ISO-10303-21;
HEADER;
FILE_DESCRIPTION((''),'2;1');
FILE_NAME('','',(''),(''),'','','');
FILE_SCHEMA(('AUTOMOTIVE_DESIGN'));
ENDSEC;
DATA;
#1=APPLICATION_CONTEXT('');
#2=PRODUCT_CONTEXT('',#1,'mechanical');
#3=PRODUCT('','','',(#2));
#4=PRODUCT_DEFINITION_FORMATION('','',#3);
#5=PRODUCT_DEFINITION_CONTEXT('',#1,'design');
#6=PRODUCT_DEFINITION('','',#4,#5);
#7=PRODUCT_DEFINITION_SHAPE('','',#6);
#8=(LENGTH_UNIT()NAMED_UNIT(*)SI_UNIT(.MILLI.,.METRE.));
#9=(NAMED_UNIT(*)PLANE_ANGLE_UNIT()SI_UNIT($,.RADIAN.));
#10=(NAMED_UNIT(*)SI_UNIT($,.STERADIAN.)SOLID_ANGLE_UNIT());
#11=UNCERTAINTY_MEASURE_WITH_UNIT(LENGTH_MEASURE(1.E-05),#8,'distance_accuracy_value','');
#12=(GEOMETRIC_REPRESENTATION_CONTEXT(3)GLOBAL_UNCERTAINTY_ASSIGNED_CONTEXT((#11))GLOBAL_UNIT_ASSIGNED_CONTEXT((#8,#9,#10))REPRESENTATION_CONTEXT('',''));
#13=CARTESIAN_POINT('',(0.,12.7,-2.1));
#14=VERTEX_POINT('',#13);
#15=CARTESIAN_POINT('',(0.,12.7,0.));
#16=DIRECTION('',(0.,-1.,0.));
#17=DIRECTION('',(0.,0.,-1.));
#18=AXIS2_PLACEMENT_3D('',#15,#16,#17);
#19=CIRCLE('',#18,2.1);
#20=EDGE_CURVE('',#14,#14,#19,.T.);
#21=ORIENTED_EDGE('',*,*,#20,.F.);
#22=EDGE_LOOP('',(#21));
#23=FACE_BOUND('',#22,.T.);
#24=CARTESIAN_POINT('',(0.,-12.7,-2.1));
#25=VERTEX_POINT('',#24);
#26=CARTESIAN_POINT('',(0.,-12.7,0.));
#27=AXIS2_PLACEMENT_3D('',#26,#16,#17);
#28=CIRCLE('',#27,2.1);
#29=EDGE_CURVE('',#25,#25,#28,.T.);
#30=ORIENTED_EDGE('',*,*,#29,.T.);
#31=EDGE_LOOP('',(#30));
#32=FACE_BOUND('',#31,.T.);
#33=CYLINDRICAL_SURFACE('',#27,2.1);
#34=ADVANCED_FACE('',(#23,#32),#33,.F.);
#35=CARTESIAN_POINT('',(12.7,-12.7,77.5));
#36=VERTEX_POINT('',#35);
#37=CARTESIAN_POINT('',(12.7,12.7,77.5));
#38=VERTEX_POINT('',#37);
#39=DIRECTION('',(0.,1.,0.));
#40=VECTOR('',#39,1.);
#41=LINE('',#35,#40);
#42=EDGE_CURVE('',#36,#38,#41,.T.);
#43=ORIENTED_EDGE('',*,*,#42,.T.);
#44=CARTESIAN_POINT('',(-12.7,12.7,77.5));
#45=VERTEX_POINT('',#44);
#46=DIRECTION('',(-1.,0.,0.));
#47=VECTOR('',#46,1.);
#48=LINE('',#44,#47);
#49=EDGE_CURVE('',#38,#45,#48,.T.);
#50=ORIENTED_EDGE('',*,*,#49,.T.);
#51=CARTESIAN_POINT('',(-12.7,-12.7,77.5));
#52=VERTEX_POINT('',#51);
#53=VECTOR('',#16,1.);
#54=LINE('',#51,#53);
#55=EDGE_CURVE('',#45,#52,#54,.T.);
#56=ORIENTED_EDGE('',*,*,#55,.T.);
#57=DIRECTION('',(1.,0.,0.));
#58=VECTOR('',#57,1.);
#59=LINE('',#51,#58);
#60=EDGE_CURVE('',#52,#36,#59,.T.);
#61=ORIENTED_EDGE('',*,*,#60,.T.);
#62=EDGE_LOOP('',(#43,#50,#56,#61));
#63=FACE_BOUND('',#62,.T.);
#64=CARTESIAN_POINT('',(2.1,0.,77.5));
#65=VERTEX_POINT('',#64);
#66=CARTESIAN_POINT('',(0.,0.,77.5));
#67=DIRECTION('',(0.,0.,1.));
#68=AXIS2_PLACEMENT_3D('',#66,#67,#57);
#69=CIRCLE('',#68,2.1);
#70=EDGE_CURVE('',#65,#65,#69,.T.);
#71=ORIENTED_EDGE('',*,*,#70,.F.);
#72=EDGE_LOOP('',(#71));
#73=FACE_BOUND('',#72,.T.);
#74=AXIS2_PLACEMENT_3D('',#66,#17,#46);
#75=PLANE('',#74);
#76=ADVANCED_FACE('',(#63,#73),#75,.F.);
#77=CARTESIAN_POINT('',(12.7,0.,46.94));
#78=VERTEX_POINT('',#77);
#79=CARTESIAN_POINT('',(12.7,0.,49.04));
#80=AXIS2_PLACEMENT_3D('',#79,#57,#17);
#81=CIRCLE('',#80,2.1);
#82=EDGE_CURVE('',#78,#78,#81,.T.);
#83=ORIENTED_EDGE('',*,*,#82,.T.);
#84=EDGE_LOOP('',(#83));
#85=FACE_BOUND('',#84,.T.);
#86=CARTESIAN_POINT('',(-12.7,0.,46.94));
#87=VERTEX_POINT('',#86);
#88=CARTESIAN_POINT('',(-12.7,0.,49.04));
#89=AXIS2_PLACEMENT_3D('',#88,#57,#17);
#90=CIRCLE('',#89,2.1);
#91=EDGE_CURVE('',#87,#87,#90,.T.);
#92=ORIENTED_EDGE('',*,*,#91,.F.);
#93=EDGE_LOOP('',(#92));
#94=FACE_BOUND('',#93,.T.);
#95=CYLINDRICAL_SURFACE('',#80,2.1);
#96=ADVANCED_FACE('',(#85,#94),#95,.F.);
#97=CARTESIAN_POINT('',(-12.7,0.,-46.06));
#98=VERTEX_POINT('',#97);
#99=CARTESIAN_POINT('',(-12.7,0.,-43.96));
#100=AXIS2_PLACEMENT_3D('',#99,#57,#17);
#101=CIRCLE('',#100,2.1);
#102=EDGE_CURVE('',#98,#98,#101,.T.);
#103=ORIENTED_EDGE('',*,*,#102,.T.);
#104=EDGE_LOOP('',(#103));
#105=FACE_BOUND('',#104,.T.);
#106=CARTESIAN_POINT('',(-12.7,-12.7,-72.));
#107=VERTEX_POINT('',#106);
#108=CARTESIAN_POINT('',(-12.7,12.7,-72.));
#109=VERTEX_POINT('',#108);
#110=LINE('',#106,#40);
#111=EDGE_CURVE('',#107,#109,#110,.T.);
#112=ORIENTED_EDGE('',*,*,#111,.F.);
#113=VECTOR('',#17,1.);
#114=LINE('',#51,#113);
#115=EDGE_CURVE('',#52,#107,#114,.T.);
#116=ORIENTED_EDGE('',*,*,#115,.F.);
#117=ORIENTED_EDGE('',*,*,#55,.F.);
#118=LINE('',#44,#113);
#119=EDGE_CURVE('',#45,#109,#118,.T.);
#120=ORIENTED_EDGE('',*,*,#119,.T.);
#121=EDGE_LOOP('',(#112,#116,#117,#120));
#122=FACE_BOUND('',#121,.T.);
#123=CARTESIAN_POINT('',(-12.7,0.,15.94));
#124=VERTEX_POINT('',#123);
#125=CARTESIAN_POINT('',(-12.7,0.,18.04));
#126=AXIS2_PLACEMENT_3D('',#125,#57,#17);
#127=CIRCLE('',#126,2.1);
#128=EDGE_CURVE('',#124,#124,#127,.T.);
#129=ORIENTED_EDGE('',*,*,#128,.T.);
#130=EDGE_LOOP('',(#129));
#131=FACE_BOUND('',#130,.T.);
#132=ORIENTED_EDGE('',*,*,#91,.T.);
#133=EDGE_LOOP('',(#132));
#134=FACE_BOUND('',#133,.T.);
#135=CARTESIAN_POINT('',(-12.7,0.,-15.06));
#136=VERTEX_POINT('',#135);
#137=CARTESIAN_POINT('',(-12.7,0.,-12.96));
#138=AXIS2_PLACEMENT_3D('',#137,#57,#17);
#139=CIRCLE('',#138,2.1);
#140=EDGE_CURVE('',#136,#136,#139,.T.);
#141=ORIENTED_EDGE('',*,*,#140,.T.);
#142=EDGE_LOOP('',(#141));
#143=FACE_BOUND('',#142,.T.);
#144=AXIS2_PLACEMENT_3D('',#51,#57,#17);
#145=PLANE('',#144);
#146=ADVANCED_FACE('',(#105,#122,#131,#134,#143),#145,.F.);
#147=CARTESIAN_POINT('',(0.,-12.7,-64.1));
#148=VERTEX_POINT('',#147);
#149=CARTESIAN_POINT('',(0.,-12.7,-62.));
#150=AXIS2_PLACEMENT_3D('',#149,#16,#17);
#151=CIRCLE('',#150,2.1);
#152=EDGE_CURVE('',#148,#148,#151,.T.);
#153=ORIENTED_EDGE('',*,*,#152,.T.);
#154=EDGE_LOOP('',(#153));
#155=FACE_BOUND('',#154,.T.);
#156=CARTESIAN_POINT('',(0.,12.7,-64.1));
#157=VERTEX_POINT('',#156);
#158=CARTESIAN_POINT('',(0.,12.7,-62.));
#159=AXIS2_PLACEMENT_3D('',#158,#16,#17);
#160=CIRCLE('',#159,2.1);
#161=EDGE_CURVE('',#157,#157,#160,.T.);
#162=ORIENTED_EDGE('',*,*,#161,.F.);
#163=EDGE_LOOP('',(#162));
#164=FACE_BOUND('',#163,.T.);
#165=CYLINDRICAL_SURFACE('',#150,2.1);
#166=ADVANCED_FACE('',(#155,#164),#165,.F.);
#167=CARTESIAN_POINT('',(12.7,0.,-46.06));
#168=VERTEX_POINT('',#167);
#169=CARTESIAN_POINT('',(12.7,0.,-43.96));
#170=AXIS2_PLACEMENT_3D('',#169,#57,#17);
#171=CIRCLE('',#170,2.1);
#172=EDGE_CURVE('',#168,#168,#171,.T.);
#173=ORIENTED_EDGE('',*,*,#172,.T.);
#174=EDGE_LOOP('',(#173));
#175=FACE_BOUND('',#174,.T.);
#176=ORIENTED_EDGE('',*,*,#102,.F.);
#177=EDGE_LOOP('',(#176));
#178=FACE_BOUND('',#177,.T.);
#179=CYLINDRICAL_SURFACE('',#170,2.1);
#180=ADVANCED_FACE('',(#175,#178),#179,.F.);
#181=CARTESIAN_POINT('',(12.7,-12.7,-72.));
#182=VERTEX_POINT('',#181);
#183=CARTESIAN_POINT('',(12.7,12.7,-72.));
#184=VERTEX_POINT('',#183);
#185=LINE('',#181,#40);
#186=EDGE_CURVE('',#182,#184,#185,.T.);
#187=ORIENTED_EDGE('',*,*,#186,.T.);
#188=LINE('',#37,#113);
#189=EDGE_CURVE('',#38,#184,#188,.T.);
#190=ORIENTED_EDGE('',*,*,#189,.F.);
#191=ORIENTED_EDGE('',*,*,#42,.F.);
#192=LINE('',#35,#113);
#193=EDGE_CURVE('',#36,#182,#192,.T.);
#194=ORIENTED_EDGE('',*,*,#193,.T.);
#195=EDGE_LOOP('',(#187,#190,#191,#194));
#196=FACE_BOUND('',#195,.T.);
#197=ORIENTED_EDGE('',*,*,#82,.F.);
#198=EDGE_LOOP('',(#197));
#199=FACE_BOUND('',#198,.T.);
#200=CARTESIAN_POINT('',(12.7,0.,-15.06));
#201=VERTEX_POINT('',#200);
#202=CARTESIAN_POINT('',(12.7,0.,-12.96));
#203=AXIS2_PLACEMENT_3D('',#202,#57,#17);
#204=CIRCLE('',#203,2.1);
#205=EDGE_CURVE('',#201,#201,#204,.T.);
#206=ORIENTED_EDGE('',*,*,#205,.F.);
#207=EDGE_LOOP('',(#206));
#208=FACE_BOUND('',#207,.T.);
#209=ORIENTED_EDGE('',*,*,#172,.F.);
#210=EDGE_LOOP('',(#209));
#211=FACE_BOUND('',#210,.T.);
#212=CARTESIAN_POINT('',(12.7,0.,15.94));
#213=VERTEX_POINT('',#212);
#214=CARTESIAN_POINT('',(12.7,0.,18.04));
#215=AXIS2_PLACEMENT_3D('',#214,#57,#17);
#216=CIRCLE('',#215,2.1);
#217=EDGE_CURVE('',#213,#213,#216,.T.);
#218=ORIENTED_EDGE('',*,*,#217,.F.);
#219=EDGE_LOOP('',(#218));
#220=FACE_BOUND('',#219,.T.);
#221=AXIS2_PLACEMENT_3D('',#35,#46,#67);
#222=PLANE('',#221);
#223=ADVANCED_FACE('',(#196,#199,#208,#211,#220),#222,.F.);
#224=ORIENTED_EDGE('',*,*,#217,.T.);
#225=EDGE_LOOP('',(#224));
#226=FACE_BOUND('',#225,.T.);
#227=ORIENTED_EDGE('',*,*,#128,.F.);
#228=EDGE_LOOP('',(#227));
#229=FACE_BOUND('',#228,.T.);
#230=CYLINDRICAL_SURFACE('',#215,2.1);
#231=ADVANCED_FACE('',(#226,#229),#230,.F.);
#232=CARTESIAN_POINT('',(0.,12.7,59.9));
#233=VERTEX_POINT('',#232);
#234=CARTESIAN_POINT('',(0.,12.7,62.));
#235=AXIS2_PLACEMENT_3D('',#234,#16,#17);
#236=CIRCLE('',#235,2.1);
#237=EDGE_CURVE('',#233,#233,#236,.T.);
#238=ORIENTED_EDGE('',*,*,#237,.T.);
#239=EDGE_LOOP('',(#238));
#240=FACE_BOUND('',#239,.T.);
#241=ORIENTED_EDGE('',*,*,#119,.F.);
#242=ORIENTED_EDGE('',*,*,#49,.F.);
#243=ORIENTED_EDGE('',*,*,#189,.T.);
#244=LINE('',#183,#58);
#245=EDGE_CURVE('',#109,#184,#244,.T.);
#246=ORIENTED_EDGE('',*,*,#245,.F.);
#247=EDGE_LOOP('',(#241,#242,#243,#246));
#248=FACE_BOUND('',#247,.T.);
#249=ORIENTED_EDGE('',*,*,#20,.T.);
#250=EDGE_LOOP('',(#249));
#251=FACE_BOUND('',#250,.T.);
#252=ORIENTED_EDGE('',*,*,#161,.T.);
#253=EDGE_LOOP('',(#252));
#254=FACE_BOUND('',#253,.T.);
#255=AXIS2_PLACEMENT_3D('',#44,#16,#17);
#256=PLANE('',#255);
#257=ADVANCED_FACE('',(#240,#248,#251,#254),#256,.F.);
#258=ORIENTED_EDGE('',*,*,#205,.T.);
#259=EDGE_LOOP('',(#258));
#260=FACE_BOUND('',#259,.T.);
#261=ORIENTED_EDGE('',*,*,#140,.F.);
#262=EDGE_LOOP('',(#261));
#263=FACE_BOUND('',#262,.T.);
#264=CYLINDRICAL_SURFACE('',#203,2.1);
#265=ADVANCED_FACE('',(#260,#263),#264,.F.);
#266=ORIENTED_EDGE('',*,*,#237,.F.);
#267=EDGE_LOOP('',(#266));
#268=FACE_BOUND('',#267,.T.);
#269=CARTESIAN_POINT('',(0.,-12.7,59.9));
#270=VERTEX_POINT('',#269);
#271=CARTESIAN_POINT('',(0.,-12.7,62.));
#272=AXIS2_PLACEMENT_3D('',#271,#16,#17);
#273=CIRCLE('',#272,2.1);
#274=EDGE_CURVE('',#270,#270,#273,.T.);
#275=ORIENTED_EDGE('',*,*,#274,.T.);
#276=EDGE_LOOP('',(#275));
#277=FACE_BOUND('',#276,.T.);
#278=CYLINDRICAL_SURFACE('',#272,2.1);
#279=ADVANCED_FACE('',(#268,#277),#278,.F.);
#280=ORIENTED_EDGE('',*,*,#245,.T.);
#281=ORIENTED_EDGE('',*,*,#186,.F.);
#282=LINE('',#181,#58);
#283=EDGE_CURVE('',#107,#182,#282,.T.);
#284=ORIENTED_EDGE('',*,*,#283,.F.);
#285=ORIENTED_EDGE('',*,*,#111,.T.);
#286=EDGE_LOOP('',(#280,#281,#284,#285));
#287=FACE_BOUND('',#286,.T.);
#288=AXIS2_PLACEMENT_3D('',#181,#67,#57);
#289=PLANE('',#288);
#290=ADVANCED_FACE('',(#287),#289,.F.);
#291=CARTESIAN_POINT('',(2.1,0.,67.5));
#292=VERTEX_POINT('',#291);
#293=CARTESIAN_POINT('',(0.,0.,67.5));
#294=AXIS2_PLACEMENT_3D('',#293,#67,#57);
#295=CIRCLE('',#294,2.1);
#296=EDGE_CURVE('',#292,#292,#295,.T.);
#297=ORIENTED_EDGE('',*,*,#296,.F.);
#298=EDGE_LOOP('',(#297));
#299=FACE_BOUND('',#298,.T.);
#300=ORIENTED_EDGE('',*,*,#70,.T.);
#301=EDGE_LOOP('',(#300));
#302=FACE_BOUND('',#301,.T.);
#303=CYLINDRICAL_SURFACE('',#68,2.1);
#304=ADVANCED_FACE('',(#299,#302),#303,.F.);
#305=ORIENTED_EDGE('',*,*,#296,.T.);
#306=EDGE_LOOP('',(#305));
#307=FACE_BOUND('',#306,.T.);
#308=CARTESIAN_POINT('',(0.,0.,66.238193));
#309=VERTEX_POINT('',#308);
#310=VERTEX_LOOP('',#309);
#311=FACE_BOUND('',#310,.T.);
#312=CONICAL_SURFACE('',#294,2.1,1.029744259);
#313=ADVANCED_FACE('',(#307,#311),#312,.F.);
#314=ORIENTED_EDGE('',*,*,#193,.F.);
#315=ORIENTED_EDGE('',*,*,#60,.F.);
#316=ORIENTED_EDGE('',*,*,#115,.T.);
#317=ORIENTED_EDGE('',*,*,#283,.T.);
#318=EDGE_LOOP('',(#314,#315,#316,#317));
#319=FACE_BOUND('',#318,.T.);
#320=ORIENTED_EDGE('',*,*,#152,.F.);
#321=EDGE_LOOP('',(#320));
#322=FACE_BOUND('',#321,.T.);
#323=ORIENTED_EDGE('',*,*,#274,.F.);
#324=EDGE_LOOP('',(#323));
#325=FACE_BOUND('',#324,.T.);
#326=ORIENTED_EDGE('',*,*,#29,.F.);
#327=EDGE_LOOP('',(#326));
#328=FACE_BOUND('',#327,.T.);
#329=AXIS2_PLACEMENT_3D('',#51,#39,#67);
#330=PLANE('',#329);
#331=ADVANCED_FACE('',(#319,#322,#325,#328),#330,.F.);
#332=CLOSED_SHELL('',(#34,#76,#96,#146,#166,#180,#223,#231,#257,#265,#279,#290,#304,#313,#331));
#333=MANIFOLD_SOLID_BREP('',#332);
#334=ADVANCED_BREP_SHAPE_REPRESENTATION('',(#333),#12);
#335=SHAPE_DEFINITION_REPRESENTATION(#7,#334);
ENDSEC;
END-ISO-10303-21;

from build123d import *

# Parameters (mm, degrees)
SKETCH1_W                   = 25.4
SKETCH1_H                   = 25.4
BOSS_EXTRUDE1_DEPTH         = 77.5
M5X0_8_TAPPED_HOLE2_D       = 4.2
M5X0_8_TAPPED_HOLE1_D       = 4.2
M5X0_8_TAPPED_HOLE1_DEPTH   = 10
M5X0_8_TAPPED_HOLE1_TIP     = 1.2618073
SKETCH13_W                  = 25.4
SKETCH13_H                  = 5.5
CUT_EXTRUDE1_DEPTH          = 26.4
TAP_DRILL_FOR_M5X0_8_TAP1_D = 4.2


with BuildPart() as part:
    # Sketch1 → Boss-Extrude1 (new body, symmetric)
    with BuildSketch(Plane.XY):
        Rectangle(SKETCH1_W, SKETCH1_H)
    extrude(amount=BOSS_EXTRUDE1_DEPTH, both=True)

    # M5x0.8 Tapped Hole2 (through all)
    with Locations(Plane(origin=(0, -12.7, 0), x_dir=(-1, 0, 0), z_dir=(0, -1, 0))):
        with Locations((0, -62), (0, 0), (0, 62)):
            Hole(M5X0_8_TAPPED_HOLE2_D / 2)

    # M5x0.8 Tapped Hole1
    with Locations(Plane.XY.offset(77.5)):
        with Locations((0, 0)):
            Hole(M5X0_8_TAPPED_HOLE1_D / 2, depth=M5X0_8_TAPPED_HOLE1_DEPTH)
            with Locations((0, 0, -(M5X0_8_TAPPED_HOLE1_DEPTH + M5X0_8_TAPPED_HOLE1_TIP / 2))):  # 118° drill point
                Cone(0, M5X0_8_TAPPED_HOLE1_D / 2, M5X0_8_TAPPED_HOLE1_TIP, mode=Mode.SUBTRACT)

    # Sketch13 → Cut-Extrude1 (cut, through all)
    with BuildSketch(Plane(origin=(0, 12.7, 0), x_dir=(1, 0, 0), z_dir=(0, 1, 0))):
        with Locations((0, 74.75)):
            Rectangle(SKETCH13_W, SKETCH13_H)
    extrude(amount=-CUT_EXTRUDE1_DEPTH, mode=Mode.SUBTRACT)

    # Tap Drill for M5x0.8 Tap1 (through all)
    with Locations(Plane(origin=(12.7, 0, 0), x_dir=(0, 0, -1), z_dir=(1, 0, 0))):
        with Locations((-49.04, 0), (-18.04, 0), (12.96, 0), (43.96, 0)):
            Hole(TAP_DRILL_FOR_M5X0_8_TAP1_D / 2)


solid = part.part
